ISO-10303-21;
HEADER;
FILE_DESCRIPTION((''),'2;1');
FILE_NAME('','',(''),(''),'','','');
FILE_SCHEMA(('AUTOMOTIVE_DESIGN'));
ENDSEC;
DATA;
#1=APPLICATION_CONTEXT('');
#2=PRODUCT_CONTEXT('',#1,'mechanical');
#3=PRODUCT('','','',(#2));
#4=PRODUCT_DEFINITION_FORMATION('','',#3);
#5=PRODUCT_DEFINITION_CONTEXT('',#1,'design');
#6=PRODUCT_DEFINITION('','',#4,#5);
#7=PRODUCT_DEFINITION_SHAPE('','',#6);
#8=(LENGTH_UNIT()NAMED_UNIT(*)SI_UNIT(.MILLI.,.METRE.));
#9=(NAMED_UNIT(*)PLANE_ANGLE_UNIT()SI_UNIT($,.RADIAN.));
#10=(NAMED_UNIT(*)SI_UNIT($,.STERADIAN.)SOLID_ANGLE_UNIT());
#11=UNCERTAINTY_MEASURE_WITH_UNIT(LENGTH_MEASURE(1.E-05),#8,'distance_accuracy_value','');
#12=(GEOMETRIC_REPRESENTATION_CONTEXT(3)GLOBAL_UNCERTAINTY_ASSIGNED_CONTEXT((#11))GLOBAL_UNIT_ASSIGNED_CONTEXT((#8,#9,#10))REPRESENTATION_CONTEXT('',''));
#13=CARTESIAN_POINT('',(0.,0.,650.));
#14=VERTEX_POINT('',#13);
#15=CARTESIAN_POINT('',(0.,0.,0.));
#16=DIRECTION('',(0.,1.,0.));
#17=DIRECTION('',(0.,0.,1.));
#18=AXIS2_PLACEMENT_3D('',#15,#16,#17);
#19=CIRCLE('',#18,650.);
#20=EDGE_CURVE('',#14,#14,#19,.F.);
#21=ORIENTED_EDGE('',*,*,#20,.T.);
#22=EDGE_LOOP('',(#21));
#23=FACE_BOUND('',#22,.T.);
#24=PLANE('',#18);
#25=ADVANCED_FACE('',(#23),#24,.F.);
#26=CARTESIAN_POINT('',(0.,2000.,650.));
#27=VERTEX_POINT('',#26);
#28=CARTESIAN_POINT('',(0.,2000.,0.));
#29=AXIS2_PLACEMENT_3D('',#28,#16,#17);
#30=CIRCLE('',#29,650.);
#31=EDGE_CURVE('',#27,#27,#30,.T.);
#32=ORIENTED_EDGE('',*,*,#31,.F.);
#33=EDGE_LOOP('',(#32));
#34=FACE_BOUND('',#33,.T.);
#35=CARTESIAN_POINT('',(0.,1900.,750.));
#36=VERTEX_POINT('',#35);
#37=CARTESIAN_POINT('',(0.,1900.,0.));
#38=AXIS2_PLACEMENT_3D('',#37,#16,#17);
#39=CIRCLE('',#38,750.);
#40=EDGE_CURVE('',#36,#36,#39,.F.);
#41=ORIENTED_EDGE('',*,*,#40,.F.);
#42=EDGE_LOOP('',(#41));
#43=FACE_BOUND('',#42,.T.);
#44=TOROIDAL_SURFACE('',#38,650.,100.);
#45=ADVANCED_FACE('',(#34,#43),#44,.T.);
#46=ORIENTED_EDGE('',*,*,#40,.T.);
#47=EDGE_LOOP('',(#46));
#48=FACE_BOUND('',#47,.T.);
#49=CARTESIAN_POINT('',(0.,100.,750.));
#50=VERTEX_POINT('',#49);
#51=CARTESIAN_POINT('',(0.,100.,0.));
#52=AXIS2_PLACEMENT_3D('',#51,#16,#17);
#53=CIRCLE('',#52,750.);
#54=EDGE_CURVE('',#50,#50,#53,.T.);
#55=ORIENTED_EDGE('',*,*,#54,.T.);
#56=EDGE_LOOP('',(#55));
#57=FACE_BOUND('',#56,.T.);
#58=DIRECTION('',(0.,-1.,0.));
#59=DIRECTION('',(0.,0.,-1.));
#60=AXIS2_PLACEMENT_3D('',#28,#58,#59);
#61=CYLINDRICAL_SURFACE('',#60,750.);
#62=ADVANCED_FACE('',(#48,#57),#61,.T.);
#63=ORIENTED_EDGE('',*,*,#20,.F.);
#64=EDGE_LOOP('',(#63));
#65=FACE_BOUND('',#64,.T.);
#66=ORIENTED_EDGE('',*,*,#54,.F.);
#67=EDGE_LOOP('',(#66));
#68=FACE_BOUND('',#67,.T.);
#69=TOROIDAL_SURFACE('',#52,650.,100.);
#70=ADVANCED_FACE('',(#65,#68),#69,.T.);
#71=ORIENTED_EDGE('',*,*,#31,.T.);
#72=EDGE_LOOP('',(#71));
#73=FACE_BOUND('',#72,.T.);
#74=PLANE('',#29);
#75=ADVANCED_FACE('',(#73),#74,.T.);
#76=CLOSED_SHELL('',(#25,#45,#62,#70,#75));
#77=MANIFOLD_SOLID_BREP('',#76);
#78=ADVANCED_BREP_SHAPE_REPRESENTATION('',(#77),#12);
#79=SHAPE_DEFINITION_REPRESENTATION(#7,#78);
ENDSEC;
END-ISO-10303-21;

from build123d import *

# Parameters (mm, degrees)
ESBO_O1_R                = 750
RESSALTO_EXTRUS_O1_DEPTH = 2000
FILETE1_R                = 100


with BuildPart() as part:
    # Esboço1 → Ressalto-extrusão1 (new body)
    with BuildSketch(Plane(origin=(0, 0, 0), x_dir=(1, 0, 0), z_dir=(0, 1, 0))):
        Circle(ESBO_O1_R)
    extrude(amount=RESSALTO_EXTRUS_O1_DEPTH)

    # Filete1
    filete1_edges = [part.edges().sort_by_distance(p)[0] for p in [
        (-750, 0, 0),
        (-750, 2000, 0),
    ]]
    fillet(filete1_edges, radius=FILETE1_R)


solid = part.part
